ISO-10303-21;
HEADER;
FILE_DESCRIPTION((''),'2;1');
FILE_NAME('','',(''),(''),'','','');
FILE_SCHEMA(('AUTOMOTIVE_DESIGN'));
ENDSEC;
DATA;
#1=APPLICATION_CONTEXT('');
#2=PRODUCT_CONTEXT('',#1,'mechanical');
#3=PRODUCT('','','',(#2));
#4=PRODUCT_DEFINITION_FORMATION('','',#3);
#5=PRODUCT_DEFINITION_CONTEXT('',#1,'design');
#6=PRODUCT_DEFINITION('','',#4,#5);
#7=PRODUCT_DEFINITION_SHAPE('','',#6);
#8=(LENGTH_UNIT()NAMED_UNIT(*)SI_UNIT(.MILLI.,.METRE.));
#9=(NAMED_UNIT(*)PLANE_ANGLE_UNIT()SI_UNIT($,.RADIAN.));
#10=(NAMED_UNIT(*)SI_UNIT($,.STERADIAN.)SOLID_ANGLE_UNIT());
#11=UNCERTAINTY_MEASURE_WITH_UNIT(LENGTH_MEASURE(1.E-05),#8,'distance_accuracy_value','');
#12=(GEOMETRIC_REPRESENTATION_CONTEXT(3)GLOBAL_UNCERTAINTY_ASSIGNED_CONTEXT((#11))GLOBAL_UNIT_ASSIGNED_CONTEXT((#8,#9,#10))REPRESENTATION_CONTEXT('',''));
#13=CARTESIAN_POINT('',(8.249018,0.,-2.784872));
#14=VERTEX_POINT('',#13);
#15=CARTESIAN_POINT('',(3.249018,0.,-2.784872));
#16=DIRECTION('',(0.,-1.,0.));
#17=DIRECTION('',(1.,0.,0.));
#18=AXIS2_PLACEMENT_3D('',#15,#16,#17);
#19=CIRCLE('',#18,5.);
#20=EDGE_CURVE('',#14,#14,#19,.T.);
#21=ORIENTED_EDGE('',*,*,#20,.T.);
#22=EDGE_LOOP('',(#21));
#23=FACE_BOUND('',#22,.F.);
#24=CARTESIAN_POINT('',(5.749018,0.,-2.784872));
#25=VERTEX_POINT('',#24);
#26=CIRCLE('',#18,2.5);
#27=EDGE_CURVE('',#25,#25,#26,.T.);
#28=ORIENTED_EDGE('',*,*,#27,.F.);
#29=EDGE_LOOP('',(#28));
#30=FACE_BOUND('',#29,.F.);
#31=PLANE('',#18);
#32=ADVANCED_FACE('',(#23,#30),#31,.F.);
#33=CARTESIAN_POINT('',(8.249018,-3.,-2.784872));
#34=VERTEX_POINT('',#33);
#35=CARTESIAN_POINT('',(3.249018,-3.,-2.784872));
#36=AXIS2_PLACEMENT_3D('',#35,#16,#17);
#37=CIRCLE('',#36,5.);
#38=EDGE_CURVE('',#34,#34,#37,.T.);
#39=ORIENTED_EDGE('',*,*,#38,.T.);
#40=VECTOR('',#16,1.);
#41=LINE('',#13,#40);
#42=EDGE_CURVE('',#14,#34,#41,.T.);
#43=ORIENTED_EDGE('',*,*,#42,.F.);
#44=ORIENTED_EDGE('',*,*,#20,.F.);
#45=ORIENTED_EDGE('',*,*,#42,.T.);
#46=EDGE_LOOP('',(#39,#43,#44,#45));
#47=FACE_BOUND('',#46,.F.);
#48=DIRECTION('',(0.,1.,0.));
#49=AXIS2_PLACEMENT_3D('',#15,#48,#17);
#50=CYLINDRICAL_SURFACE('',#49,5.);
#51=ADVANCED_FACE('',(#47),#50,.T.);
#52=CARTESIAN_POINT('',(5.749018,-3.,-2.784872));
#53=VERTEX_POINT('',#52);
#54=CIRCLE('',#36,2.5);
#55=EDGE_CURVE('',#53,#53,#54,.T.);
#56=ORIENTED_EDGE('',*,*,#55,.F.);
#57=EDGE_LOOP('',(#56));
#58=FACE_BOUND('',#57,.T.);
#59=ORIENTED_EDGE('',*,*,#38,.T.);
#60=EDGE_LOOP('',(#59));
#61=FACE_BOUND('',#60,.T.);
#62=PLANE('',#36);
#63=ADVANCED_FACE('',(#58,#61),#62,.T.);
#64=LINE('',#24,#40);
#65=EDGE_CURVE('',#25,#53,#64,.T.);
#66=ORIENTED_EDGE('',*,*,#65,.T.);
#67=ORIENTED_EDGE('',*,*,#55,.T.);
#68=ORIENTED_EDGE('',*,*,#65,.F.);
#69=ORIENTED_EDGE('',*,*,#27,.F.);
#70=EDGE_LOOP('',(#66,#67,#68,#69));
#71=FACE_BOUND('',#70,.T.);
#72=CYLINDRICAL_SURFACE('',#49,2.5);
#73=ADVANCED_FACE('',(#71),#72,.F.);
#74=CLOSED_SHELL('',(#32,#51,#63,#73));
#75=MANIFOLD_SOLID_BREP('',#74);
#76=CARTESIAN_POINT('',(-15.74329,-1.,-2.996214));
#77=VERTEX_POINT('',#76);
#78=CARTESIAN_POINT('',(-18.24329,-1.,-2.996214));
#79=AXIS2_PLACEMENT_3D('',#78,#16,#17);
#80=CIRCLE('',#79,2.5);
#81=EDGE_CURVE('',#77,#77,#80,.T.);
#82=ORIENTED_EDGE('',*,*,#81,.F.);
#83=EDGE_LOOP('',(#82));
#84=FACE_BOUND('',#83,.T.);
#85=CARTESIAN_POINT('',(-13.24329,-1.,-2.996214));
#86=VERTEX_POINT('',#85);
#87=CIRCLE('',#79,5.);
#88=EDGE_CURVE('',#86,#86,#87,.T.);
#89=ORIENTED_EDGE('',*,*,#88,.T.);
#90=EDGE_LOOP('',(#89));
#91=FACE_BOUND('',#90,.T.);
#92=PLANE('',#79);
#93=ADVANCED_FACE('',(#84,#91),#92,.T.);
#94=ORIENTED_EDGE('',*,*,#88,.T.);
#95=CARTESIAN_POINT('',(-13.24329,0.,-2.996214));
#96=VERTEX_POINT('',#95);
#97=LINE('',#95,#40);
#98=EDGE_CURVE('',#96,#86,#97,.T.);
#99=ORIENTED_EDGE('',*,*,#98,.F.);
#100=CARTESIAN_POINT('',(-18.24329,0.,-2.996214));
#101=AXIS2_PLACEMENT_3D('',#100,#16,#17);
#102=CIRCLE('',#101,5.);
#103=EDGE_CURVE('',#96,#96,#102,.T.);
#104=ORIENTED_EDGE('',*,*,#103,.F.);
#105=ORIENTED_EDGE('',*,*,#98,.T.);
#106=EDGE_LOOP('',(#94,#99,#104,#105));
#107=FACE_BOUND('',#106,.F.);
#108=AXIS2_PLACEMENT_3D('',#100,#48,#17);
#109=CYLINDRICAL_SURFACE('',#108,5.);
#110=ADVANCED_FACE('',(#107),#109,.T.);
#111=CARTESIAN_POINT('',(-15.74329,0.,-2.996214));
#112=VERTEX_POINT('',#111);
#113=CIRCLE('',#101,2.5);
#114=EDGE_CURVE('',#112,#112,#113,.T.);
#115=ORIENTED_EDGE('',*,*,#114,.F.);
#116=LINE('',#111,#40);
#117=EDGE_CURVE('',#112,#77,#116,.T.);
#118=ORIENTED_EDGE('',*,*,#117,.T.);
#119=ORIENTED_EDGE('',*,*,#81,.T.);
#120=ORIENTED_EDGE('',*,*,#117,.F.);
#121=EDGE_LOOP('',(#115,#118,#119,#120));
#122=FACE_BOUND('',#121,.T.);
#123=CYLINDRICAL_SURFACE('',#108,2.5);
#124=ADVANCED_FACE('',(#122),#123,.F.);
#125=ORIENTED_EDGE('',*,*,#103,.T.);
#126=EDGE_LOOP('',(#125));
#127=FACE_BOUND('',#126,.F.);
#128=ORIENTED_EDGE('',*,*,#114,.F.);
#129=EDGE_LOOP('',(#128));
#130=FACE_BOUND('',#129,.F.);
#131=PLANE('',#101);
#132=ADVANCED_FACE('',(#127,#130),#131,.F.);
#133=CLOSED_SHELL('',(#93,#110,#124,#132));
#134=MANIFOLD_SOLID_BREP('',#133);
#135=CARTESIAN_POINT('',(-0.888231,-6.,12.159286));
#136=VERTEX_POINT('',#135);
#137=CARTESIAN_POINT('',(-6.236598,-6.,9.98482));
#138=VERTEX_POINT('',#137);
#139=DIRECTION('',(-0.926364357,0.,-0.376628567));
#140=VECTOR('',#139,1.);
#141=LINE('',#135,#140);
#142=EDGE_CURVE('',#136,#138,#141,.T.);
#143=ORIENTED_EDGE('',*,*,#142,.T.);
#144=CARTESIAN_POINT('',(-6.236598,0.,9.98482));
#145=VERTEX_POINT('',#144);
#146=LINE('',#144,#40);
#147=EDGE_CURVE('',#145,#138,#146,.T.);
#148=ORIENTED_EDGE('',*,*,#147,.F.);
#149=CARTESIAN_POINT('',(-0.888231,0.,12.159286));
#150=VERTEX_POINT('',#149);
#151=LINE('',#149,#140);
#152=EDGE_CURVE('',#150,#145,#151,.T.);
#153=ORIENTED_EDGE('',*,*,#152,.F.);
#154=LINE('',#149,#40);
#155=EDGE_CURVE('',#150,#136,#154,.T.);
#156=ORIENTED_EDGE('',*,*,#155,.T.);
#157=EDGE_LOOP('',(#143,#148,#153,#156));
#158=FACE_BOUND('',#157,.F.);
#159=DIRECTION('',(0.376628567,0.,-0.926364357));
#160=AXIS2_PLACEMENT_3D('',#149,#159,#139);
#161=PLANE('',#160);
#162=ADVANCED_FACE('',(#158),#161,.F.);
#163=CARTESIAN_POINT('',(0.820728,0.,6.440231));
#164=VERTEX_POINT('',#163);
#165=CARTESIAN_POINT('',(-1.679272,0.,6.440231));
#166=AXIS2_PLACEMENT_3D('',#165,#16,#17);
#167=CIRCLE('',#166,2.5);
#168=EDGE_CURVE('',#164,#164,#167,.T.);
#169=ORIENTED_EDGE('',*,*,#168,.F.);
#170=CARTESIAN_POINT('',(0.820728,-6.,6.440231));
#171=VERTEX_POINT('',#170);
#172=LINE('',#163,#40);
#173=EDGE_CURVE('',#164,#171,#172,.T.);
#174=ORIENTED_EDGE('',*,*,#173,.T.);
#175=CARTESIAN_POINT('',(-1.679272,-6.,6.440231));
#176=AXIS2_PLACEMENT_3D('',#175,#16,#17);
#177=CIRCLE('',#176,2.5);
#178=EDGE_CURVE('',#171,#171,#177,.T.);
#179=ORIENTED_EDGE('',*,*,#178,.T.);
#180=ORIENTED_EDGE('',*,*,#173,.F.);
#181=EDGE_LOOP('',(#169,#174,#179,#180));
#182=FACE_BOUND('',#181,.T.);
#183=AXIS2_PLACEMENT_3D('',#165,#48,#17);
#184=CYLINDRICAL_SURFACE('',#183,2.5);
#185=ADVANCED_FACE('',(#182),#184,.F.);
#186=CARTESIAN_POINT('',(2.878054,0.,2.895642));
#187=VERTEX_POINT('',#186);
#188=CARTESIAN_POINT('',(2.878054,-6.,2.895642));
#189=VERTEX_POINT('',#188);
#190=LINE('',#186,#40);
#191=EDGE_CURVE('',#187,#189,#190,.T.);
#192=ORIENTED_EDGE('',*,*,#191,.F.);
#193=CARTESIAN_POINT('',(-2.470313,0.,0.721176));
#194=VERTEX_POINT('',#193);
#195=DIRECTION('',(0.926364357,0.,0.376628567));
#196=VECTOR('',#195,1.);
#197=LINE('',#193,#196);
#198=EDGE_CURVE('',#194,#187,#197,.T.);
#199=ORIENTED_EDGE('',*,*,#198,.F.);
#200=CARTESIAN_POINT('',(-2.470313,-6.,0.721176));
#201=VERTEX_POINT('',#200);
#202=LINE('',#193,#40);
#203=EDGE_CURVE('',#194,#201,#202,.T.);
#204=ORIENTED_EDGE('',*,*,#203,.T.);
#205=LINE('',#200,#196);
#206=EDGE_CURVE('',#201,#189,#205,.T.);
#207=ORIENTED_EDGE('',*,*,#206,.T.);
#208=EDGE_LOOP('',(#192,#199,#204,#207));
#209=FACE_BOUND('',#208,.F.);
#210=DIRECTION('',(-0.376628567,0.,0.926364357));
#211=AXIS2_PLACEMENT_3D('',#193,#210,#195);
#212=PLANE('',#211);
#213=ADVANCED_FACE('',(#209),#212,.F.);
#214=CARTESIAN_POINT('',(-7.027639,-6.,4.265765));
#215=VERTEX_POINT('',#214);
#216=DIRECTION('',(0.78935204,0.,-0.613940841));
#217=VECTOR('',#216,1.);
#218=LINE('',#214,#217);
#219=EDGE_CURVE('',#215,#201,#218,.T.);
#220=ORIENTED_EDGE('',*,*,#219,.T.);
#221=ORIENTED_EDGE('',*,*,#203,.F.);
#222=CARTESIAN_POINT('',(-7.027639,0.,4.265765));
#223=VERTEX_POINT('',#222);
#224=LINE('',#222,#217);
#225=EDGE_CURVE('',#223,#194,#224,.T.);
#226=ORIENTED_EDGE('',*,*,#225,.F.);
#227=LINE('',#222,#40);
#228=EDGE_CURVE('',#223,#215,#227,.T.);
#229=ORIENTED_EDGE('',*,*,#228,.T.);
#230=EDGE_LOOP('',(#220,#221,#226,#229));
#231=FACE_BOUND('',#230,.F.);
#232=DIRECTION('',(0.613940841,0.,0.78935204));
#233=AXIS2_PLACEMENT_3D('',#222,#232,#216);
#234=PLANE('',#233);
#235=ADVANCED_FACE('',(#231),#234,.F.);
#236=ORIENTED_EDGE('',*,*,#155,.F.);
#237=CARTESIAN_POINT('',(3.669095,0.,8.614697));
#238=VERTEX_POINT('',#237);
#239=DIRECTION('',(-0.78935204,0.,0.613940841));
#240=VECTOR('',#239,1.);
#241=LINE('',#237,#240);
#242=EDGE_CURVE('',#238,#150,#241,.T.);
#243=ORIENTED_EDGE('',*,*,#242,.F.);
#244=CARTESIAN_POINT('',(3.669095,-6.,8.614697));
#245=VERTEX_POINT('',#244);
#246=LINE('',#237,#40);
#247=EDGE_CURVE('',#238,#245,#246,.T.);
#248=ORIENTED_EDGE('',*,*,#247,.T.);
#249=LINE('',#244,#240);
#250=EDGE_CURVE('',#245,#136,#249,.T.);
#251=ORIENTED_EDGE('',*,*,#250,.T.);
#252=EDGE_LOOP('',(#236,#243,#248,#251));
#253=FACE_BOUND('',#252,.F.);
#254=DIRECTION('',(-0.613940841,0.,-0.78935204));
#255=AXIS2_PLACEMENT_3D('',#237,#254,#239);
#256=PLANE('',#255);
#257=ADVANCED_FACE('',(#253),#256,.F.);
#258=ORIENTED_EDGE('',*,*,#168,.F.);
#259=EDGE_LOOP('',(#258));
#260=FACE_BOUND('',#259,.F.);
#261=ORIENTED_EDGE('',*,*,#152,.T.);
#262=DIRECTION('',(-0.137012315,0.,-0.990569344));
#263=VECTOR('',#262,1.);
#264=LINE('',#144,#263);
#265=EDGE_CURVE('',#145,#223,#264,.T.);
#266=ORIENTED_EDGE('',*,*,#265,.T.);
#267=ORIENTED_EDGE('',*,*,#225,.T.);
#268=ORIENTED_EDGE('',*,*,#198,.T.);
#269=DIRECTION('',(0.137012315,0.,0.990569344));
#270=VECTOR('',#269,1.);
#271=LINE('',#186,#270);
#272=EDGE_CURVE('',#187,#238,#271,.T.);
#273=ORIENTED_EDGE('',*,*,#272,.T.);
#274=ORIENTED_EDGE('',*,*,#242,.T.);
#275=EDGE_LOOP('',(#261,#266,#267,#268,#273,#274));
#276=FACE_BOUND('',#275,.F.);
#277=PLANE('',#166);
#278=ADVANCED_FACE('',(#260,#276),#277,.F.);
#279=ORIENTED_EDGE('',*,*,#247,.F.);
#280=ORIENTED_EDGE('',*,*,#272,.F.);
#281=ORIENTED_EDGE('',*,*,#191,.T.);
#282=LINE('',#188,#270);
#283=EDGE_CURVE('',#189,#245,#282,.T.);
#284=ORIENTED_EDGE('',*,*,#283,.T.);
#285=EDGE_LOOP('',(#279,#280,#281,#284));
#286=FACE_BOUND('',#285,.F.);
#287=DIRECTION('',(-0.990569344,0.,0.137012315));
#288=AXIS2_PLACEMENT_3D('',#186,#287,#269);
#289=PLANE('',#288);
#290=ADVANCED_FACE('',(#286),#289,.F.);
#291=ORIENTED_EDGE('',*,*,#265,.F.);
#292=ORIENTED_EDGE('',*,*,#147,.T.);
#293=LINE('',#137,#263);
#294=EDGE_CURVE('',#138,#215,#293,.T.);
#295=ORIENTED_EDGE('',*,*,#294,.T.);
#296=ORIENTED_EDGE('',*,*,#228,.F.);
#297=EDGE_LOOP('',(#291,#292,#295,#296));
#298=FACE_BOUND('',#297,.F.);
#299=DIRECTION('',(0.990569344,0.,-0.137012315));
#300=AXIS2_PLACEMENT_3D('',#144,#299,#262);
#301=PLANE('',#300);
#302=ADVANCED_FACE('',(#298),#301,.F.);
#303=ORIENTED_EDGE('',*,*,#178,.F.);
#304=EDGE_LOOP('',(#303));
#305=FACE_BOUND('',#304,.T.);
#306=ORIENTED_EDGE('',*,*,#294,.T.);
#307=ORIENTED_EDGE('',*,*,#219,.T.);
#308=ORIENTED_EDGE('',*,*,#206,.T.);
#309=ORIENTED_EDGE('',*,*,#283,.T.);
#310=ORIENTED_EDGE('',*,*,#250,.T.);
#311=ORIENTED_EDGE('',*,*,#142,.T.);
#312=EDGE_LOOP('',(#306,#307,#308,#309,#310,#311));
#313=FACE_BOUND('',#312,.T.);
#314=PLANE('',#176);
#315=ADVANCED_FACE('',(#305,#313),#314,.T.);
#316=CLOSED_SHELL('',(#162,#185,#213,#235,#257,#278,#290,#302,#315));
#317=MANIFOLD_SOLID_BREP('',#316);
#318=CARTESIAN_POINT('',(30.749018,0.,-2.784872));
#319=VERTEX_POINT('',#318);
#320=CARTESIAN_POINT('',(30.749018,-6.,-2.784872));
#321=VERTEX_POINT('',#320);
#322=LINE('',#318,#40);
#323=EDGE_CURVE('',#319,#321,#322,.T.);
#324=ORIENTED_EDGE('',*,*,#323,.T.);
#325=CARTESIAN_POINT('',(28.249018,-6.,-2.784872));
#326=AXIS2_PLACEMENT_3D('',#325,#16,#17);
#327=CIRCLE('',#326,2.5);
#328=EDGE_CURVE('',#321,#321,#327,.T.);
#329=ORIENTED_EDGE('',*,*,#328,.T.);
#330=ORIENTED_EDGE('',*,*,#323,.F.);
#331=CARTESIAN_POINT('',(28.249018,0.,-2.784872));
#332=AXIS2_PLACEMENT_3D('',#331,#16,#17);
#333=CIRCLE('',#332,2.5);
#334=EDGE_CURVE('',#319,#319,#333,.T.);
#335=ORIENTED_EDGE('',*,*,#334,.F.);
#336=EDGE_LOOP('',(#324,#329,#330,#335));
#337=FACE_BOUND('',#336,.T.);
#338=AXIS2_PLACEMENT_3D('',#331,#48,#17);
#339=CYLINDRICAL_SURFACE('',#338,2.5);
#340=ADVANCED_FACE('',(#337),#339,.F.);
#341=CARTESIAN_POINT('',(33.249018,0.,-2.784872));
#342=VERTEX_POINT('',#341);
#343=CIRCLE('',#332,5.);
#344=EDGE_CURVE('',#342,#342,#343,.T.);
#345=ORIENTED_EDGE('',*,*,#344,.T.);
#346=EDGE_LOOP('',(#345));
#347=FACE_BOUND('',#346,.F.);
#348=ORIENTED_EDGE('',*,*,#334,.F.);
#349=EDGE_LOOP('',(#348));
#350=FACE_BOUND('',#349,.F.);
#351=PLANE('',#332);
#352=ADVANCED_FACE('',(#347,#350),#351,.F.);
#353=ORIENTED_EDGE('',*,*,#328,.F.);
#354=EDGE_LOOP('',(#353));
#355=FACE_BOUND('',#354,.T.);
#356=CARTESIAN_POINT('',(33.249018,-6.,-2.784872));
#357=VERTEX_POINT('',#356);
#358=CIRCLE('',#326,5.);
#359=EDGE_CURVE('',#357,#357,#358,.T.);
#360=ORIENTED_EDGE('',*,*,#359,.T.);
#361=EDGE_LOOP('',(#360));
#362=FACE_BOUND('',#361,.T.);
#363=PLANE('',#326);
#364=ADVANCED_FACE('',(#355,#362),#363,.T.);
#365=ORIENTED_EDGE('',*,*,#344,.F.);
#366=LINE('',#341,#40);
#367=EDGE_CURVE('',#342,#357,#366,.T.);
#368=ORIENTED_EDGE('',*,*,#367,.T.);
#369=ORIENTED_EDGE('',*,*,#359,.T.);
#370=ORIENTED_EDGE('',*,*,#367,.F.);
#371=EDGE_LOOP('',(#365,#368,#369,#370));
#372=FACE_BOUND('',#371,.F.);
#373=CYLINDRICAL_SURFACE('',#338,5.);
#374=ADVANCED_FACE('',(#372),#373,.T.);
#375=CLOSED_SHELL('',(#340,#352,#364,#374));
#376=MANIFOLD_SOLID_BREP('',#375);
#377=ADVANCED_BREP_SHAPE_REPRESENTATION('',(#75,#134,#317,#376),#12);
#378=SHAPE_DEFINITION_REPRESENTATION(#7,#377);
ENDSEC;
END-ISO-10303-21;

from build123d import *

# Parameters (mm, degrees)
F0_R     = 5
F0_R_2   = 2.5
F1_DEPTH = 3
F2_DEPTH = 6
F3_DEPTH = 6
F4_R     = 5
F4_R_2   = 2.5
F5_DEPTH = 1


with BuildPart() as f1:
    # F0 (on Front) → F1 (new body)
    with BuildSketch(Plane.XZ):
        with Locations((3.249018, -2.784872)):
            Circle(F0_R)
        with Locations((3.249018, -2.784872)):
            Circle(F0_R_2, mode=Mode.SUBTRACT)
    extrude(amount=F1_DEPTH)


with BuildPart() as f2:
    # F0 (on Front) → F2 (new body)
    with BuildSketch(Plane.XZ):
        with Locations((28.249018, -2.784872)):
            Circle(F0_R)
        with Locations((28.249018, -2.784872)):
            Circle(F0_R_2, mode=Mode.SUBTRACT)
    extrude(amount=F2_DEPTH)


with BuildPart() as f3:
    # F0 (on Front) → F3 (new body)
    with BuildSketch(Plane.XZ):
        Polygon((3.669095, 8.614697), (-0.888231, 12.159286), (-6.236598, 9.98482), (-7.027639, 4.265765), (-2.470313, 0.721176), (2.878054, 2.895642), align=None)
        with Locations((-1.679272, 6.440231)):
            Circle(F0_R_2, mode=Mode.SUBTRACT)
    extrude(amount=F3_DEPTH)


with BuildPart() as f5:
    # F4 (on Front) → F5 (new body)
    with BuildSketch(Plane.XZ):
        with Locations((-18.24329, -2.996214)):
            Circle(F4_R)
        with Locations((-18.24329, -2.996214)):
            Circle(F4_R_2, mode=Mode.SUBTRACT)
    extrude(amount=F5_DEPTH)


solid = Compound([f1.part, f2.part, f3.part, f5.part])
